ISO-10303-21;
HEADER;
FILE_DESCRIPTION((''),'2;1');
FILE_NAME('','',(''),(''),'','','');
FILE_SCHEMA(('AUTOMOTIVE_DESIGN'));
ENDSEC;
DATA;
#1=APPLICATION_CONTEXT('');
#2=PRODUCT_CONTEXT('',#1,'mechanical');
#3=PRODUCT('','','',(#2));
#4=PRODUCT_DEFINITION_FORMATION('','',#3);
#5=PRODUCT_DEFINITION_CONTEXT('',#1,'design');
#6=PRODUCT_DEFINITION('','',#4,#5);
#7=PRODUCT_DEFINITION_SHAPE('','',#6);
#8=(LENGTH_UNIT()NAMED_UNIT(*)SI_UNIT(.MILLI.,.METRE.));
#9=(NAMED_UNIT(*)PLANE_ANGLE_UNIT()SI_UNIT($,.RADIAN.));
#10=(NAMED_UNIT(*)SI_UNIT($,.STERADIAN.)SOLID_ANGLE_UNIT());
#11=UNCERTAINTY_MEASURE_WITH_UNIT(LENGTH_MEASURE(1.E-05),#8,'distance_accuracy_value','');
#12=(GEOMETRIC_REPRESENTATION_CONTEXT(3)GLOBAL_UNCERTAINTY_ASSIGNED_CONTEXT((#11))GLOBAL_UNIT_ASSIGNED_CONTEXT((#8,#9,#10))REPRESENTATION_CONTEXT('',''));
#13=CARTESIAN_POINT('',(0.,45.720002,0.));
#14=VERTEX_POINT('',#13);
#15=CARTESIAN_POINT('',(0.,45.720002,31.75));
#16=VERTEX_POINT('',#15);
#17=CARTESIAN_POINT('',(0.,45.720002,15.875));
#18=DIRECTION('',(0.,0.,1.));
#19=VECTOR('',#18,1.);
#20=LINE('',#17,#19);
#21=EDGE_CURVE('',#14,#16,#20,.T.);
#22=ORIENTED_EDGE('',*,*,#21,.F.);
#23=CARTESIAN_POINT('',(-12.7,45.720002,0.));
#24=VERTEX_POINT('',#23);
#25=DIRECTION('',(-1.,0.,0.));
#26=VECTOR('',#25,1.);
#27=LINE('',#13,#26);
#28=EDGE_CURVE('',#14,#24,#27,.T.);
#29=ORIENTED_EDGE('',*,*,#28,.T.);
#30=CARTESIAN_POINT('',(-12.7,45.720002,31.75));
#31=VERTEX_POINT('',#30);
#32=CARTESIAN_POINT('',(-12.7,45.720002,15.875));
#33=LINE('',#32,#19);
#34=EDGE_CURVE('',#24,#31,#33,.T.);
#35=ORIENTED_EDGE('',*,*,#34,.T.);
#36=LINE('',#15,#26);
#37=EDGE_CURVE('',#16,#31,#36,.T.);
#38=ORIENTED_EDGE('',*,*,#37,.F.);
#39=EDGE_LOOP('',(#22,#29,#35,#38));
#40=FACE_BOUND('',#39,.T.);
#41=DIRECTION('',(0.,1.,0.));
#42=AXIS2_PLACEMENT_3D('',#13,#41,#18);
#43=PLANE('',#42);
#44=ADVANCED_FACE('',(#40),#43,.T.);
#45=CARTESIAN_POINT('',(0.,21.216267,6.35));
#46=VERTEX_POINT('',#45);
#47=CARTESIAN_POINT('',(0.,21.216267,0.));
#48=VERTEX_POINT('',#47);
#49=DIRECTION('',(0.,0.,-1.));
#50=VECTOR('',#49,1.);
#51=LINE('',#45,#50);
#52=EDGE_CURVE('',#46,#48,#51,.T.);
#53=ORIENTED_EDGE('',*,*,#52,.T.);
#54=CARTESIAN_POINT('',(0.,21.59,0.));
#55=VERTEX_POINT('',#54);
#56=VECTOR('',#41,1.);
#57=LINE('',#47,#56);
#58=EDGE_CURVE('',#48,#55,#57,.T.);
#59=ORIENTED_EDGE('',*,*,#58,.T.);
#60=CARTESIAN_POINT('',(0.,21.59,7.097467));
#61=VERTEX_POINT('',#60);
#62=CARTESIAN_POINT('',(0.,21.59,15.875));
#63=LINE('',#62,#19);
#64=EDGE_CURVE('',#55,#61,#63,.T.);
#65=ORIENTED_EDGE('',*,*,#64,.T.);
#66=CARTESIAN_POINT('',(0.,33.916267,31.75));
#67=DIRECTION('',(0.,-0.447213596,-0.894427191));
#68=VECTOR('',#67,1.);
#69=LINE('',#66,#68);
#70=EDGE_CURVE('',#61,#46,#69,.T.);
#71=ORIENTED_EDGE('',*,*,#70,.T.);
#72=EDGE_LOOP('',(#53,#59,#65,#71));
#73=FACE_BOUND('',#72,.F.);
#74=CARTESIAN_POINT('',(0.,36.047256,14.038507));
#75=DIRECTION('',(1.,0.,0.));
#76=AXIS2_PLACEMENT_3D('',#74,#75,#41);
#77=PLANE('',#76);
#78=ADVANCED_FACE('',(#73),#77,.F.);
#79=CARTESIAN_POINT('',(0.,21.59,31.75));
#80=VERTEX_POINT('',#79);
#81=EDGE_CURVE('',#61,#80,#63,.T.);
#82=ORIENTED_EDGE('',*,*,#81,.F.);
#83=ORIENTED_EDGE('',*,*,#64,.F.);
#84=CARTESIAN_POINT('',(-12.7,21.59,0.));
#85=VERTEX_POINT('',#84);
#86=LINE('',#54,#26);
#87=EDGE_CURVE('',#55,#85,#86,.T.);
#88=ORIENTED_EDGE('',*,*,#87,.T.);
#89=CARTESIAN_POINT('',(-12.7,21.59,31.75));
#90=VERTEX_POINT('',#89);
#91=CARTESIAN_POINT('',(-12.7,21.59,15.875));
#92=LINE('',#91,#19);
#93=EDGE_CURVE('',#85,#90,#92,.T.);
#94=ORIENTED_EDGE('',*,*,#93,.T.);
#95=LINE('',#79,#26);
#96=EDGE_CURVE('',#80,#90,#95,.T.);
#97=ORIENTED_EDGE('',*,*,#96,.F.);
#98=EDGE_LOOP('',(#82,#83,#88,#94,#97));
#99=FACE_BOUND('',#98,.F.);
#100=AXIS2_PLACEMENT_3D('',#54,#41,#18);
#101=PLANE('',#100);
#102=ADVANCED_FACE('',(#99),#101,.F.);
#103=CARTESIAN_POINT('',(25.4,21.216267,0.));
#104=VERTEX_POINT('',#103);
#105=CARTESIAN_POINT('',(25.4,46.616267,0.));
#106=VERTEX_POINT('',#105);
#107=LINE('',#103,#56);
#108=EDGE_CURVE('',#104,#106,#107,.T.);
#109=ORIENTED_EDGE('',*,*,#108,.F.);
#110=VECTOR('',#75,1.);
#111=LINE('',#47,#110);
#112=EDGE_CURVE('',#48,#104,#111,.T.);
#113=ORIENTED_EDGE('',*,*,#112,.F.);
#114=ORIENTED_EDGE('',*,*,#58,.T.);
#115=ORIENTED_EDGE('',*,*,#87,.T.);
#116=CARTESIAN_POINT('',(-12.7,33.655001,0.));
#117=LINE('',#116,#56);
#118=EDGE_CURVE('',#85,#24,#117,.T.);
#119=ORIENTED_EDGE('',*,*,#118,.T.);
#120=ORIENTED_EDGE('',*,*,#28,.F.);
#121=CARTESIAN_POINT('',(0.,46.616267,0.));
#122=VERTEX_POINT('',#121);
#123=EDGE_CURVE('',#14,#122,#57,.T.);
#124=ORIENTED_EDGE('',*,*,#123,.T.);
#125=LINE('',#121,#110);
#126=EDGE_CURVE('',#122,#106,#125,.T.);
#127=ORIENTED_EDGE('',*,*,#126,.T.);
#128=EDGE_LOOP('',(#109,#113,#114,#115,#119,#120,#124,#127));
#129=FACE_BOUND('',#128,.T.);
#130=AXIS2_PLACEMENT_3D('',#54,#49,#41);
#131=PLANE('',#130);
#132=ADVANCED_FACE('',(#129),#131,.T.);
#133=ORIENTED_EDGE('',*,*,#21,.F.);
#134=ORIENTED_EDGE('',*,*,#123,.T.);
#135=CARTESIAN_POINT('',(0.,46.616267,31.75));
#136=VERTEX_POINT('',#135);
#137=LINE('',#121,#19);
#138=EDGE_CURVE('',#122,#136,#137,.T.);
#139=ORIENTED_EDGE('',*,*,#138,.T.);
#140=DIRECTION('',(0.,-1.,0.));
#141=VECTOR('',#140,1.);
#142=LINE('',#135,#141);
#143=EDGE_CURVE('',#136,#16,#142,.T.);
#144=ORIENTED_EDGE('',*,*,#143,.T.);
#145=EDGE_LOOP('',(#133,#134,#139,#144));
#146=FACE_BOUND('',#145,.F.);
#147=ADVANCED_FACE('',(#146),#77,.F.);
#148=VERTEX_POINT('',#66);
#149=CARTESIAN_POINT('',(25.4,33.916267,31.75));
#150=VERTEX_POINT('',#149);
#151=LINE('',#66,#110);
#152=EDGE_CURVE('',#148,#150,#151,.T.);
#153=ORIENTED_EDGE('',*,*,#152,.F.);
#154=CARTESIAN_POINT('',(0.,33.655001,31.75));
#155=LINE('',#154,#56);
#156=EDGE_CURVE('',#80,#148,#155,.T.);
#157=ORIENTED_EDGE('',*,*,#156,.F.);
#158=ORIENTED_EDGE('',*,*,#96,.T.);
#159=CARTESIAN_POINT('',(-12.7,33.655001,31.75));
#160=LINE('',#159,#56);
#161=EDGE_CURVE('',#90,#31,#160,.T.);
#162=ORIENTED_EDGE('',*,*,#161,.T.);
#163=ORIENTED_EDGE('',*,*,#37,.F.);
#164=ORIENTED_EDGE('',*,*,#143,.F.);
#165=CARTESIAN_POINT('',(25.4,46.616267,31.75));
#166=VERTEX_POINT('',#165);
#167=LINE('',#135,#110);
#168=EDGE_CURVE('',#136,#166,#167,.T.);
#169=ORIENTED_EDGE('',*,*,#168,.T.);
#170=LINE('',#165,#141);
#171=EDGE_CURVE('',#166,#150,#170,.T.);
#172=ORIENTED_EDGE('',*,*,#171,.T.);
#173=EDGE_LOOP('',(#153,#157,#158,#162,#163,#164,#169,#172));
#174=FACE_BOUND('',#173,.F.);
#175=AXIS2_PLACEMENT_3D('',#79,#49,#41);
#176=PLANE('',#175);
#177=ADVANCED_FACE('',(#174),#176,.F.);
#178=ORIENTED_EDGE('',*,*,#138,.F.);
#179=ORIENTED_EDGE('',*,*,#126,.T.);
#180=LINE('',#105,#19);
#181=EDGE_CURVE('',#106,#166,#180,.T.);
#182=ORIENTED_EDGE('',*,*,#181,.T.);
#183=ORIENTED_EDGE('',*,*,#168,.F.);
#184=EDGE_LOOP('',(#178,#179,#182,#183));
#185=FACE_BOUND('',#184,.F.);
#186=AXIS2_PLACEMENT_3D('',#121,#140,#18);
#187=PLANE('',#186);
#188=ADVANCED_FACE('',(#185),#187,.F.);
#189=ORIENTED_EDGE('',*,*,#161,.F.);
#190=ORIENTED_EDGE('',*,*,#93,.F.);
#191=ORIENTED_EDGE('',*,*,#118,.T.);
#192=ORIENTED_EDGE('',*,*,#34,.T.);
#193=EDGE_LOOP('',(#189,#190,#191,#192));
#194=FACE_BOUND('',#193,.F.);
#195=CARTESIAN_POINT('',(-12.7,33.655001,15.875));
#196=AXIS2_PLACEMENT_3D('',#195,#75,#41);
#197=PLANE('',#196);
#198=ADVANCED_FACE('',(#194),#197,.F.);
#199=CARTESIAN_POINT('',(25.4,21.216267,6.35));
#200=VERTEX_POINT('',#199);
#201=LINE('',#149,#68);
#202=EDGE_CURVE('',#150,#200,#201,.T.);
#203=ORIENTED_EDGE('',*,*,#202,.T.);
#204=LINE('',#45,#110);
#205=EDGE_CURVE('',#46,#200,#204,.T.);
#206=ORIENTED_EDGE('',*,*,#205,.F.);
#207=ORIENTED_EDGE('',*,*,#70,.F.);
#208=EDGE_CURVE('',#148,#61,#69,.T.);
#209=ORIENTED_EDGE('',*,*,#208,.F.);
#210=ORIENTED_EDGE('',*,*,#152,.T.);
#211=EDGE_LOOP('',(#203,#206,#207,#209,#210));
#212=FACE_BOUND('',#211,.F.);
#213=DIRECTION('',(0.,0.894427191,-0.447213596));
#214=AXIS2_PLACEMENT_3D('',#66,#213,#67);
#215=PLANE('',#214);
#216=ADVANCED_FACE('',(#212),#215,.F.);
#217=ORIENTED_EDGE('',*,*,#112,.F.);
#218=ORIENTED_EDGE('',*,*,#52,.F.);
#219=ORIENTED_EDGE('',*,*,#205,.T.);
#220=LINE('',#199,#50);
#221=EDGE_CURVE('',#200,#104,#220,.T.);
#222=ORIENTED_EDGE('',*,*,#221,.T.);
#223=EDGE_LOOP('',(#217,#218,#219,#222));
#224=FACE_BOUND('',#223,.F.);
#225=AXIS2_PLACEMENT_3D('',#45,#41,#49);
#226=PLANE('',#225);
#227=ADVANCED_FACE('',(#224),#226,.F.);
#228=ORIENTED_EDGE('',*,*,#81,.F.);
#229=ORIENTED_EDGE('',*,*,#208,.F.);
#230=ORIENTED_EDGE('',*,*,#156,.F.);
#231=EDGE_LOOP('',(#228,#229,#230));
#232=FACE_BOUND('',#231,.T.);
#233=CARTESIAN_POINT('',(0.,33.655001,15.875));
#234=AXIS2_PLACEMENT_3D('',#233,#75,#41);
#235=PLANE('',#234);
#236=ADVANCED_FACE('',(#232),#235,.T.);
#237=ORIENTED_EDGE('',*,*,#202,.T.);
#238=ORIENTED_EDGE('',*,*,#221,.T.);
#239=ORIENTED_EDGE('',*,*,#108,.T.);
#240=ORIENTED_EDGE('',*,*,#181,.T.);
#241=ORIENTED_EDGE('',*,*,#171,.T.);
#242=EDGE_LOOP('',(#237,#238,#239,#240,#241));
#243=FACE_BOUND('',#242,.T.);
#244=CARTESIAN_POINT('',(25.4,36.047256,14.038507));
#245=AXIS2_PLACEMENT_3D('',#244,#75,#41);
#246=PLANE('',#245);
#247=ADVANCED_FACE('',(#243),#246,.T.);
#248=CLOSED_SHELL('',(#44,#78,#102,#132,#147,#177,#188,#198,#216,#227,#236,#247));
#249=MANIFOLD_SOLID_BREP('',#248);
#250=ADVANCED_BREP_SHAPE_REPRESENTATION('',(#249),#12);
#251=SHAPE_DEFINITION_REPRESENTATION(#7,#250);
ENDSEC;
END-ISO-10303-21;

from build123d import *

# Parameters (mm, degrees)
F1_DEPTH = 25.4
F2_W     = 24.130001
F2_H     = 31.75
F3_DEPTH = 12.7


with BuildPart() as f1:
    # F0 (on Right) → F1 (new body)
    with BuildSketch(Plane.YZ):
        Polygon((21.216267, 0), (46.616267, 0), (46.616267, 31.75), (33.916267, 31.75), (21.216267, 6.35), align=None)
    extrude(amount=F1_DEPTH)

    # F2 (on Right) → F3 (join)
    with BuildSketch(Plane.YZ):
        with Locations((33.655001, 15.875)):
            Rectangle(F2_W, F2_H)
    extrude(amount=-F3_DEPTH)


solid = f1.part
